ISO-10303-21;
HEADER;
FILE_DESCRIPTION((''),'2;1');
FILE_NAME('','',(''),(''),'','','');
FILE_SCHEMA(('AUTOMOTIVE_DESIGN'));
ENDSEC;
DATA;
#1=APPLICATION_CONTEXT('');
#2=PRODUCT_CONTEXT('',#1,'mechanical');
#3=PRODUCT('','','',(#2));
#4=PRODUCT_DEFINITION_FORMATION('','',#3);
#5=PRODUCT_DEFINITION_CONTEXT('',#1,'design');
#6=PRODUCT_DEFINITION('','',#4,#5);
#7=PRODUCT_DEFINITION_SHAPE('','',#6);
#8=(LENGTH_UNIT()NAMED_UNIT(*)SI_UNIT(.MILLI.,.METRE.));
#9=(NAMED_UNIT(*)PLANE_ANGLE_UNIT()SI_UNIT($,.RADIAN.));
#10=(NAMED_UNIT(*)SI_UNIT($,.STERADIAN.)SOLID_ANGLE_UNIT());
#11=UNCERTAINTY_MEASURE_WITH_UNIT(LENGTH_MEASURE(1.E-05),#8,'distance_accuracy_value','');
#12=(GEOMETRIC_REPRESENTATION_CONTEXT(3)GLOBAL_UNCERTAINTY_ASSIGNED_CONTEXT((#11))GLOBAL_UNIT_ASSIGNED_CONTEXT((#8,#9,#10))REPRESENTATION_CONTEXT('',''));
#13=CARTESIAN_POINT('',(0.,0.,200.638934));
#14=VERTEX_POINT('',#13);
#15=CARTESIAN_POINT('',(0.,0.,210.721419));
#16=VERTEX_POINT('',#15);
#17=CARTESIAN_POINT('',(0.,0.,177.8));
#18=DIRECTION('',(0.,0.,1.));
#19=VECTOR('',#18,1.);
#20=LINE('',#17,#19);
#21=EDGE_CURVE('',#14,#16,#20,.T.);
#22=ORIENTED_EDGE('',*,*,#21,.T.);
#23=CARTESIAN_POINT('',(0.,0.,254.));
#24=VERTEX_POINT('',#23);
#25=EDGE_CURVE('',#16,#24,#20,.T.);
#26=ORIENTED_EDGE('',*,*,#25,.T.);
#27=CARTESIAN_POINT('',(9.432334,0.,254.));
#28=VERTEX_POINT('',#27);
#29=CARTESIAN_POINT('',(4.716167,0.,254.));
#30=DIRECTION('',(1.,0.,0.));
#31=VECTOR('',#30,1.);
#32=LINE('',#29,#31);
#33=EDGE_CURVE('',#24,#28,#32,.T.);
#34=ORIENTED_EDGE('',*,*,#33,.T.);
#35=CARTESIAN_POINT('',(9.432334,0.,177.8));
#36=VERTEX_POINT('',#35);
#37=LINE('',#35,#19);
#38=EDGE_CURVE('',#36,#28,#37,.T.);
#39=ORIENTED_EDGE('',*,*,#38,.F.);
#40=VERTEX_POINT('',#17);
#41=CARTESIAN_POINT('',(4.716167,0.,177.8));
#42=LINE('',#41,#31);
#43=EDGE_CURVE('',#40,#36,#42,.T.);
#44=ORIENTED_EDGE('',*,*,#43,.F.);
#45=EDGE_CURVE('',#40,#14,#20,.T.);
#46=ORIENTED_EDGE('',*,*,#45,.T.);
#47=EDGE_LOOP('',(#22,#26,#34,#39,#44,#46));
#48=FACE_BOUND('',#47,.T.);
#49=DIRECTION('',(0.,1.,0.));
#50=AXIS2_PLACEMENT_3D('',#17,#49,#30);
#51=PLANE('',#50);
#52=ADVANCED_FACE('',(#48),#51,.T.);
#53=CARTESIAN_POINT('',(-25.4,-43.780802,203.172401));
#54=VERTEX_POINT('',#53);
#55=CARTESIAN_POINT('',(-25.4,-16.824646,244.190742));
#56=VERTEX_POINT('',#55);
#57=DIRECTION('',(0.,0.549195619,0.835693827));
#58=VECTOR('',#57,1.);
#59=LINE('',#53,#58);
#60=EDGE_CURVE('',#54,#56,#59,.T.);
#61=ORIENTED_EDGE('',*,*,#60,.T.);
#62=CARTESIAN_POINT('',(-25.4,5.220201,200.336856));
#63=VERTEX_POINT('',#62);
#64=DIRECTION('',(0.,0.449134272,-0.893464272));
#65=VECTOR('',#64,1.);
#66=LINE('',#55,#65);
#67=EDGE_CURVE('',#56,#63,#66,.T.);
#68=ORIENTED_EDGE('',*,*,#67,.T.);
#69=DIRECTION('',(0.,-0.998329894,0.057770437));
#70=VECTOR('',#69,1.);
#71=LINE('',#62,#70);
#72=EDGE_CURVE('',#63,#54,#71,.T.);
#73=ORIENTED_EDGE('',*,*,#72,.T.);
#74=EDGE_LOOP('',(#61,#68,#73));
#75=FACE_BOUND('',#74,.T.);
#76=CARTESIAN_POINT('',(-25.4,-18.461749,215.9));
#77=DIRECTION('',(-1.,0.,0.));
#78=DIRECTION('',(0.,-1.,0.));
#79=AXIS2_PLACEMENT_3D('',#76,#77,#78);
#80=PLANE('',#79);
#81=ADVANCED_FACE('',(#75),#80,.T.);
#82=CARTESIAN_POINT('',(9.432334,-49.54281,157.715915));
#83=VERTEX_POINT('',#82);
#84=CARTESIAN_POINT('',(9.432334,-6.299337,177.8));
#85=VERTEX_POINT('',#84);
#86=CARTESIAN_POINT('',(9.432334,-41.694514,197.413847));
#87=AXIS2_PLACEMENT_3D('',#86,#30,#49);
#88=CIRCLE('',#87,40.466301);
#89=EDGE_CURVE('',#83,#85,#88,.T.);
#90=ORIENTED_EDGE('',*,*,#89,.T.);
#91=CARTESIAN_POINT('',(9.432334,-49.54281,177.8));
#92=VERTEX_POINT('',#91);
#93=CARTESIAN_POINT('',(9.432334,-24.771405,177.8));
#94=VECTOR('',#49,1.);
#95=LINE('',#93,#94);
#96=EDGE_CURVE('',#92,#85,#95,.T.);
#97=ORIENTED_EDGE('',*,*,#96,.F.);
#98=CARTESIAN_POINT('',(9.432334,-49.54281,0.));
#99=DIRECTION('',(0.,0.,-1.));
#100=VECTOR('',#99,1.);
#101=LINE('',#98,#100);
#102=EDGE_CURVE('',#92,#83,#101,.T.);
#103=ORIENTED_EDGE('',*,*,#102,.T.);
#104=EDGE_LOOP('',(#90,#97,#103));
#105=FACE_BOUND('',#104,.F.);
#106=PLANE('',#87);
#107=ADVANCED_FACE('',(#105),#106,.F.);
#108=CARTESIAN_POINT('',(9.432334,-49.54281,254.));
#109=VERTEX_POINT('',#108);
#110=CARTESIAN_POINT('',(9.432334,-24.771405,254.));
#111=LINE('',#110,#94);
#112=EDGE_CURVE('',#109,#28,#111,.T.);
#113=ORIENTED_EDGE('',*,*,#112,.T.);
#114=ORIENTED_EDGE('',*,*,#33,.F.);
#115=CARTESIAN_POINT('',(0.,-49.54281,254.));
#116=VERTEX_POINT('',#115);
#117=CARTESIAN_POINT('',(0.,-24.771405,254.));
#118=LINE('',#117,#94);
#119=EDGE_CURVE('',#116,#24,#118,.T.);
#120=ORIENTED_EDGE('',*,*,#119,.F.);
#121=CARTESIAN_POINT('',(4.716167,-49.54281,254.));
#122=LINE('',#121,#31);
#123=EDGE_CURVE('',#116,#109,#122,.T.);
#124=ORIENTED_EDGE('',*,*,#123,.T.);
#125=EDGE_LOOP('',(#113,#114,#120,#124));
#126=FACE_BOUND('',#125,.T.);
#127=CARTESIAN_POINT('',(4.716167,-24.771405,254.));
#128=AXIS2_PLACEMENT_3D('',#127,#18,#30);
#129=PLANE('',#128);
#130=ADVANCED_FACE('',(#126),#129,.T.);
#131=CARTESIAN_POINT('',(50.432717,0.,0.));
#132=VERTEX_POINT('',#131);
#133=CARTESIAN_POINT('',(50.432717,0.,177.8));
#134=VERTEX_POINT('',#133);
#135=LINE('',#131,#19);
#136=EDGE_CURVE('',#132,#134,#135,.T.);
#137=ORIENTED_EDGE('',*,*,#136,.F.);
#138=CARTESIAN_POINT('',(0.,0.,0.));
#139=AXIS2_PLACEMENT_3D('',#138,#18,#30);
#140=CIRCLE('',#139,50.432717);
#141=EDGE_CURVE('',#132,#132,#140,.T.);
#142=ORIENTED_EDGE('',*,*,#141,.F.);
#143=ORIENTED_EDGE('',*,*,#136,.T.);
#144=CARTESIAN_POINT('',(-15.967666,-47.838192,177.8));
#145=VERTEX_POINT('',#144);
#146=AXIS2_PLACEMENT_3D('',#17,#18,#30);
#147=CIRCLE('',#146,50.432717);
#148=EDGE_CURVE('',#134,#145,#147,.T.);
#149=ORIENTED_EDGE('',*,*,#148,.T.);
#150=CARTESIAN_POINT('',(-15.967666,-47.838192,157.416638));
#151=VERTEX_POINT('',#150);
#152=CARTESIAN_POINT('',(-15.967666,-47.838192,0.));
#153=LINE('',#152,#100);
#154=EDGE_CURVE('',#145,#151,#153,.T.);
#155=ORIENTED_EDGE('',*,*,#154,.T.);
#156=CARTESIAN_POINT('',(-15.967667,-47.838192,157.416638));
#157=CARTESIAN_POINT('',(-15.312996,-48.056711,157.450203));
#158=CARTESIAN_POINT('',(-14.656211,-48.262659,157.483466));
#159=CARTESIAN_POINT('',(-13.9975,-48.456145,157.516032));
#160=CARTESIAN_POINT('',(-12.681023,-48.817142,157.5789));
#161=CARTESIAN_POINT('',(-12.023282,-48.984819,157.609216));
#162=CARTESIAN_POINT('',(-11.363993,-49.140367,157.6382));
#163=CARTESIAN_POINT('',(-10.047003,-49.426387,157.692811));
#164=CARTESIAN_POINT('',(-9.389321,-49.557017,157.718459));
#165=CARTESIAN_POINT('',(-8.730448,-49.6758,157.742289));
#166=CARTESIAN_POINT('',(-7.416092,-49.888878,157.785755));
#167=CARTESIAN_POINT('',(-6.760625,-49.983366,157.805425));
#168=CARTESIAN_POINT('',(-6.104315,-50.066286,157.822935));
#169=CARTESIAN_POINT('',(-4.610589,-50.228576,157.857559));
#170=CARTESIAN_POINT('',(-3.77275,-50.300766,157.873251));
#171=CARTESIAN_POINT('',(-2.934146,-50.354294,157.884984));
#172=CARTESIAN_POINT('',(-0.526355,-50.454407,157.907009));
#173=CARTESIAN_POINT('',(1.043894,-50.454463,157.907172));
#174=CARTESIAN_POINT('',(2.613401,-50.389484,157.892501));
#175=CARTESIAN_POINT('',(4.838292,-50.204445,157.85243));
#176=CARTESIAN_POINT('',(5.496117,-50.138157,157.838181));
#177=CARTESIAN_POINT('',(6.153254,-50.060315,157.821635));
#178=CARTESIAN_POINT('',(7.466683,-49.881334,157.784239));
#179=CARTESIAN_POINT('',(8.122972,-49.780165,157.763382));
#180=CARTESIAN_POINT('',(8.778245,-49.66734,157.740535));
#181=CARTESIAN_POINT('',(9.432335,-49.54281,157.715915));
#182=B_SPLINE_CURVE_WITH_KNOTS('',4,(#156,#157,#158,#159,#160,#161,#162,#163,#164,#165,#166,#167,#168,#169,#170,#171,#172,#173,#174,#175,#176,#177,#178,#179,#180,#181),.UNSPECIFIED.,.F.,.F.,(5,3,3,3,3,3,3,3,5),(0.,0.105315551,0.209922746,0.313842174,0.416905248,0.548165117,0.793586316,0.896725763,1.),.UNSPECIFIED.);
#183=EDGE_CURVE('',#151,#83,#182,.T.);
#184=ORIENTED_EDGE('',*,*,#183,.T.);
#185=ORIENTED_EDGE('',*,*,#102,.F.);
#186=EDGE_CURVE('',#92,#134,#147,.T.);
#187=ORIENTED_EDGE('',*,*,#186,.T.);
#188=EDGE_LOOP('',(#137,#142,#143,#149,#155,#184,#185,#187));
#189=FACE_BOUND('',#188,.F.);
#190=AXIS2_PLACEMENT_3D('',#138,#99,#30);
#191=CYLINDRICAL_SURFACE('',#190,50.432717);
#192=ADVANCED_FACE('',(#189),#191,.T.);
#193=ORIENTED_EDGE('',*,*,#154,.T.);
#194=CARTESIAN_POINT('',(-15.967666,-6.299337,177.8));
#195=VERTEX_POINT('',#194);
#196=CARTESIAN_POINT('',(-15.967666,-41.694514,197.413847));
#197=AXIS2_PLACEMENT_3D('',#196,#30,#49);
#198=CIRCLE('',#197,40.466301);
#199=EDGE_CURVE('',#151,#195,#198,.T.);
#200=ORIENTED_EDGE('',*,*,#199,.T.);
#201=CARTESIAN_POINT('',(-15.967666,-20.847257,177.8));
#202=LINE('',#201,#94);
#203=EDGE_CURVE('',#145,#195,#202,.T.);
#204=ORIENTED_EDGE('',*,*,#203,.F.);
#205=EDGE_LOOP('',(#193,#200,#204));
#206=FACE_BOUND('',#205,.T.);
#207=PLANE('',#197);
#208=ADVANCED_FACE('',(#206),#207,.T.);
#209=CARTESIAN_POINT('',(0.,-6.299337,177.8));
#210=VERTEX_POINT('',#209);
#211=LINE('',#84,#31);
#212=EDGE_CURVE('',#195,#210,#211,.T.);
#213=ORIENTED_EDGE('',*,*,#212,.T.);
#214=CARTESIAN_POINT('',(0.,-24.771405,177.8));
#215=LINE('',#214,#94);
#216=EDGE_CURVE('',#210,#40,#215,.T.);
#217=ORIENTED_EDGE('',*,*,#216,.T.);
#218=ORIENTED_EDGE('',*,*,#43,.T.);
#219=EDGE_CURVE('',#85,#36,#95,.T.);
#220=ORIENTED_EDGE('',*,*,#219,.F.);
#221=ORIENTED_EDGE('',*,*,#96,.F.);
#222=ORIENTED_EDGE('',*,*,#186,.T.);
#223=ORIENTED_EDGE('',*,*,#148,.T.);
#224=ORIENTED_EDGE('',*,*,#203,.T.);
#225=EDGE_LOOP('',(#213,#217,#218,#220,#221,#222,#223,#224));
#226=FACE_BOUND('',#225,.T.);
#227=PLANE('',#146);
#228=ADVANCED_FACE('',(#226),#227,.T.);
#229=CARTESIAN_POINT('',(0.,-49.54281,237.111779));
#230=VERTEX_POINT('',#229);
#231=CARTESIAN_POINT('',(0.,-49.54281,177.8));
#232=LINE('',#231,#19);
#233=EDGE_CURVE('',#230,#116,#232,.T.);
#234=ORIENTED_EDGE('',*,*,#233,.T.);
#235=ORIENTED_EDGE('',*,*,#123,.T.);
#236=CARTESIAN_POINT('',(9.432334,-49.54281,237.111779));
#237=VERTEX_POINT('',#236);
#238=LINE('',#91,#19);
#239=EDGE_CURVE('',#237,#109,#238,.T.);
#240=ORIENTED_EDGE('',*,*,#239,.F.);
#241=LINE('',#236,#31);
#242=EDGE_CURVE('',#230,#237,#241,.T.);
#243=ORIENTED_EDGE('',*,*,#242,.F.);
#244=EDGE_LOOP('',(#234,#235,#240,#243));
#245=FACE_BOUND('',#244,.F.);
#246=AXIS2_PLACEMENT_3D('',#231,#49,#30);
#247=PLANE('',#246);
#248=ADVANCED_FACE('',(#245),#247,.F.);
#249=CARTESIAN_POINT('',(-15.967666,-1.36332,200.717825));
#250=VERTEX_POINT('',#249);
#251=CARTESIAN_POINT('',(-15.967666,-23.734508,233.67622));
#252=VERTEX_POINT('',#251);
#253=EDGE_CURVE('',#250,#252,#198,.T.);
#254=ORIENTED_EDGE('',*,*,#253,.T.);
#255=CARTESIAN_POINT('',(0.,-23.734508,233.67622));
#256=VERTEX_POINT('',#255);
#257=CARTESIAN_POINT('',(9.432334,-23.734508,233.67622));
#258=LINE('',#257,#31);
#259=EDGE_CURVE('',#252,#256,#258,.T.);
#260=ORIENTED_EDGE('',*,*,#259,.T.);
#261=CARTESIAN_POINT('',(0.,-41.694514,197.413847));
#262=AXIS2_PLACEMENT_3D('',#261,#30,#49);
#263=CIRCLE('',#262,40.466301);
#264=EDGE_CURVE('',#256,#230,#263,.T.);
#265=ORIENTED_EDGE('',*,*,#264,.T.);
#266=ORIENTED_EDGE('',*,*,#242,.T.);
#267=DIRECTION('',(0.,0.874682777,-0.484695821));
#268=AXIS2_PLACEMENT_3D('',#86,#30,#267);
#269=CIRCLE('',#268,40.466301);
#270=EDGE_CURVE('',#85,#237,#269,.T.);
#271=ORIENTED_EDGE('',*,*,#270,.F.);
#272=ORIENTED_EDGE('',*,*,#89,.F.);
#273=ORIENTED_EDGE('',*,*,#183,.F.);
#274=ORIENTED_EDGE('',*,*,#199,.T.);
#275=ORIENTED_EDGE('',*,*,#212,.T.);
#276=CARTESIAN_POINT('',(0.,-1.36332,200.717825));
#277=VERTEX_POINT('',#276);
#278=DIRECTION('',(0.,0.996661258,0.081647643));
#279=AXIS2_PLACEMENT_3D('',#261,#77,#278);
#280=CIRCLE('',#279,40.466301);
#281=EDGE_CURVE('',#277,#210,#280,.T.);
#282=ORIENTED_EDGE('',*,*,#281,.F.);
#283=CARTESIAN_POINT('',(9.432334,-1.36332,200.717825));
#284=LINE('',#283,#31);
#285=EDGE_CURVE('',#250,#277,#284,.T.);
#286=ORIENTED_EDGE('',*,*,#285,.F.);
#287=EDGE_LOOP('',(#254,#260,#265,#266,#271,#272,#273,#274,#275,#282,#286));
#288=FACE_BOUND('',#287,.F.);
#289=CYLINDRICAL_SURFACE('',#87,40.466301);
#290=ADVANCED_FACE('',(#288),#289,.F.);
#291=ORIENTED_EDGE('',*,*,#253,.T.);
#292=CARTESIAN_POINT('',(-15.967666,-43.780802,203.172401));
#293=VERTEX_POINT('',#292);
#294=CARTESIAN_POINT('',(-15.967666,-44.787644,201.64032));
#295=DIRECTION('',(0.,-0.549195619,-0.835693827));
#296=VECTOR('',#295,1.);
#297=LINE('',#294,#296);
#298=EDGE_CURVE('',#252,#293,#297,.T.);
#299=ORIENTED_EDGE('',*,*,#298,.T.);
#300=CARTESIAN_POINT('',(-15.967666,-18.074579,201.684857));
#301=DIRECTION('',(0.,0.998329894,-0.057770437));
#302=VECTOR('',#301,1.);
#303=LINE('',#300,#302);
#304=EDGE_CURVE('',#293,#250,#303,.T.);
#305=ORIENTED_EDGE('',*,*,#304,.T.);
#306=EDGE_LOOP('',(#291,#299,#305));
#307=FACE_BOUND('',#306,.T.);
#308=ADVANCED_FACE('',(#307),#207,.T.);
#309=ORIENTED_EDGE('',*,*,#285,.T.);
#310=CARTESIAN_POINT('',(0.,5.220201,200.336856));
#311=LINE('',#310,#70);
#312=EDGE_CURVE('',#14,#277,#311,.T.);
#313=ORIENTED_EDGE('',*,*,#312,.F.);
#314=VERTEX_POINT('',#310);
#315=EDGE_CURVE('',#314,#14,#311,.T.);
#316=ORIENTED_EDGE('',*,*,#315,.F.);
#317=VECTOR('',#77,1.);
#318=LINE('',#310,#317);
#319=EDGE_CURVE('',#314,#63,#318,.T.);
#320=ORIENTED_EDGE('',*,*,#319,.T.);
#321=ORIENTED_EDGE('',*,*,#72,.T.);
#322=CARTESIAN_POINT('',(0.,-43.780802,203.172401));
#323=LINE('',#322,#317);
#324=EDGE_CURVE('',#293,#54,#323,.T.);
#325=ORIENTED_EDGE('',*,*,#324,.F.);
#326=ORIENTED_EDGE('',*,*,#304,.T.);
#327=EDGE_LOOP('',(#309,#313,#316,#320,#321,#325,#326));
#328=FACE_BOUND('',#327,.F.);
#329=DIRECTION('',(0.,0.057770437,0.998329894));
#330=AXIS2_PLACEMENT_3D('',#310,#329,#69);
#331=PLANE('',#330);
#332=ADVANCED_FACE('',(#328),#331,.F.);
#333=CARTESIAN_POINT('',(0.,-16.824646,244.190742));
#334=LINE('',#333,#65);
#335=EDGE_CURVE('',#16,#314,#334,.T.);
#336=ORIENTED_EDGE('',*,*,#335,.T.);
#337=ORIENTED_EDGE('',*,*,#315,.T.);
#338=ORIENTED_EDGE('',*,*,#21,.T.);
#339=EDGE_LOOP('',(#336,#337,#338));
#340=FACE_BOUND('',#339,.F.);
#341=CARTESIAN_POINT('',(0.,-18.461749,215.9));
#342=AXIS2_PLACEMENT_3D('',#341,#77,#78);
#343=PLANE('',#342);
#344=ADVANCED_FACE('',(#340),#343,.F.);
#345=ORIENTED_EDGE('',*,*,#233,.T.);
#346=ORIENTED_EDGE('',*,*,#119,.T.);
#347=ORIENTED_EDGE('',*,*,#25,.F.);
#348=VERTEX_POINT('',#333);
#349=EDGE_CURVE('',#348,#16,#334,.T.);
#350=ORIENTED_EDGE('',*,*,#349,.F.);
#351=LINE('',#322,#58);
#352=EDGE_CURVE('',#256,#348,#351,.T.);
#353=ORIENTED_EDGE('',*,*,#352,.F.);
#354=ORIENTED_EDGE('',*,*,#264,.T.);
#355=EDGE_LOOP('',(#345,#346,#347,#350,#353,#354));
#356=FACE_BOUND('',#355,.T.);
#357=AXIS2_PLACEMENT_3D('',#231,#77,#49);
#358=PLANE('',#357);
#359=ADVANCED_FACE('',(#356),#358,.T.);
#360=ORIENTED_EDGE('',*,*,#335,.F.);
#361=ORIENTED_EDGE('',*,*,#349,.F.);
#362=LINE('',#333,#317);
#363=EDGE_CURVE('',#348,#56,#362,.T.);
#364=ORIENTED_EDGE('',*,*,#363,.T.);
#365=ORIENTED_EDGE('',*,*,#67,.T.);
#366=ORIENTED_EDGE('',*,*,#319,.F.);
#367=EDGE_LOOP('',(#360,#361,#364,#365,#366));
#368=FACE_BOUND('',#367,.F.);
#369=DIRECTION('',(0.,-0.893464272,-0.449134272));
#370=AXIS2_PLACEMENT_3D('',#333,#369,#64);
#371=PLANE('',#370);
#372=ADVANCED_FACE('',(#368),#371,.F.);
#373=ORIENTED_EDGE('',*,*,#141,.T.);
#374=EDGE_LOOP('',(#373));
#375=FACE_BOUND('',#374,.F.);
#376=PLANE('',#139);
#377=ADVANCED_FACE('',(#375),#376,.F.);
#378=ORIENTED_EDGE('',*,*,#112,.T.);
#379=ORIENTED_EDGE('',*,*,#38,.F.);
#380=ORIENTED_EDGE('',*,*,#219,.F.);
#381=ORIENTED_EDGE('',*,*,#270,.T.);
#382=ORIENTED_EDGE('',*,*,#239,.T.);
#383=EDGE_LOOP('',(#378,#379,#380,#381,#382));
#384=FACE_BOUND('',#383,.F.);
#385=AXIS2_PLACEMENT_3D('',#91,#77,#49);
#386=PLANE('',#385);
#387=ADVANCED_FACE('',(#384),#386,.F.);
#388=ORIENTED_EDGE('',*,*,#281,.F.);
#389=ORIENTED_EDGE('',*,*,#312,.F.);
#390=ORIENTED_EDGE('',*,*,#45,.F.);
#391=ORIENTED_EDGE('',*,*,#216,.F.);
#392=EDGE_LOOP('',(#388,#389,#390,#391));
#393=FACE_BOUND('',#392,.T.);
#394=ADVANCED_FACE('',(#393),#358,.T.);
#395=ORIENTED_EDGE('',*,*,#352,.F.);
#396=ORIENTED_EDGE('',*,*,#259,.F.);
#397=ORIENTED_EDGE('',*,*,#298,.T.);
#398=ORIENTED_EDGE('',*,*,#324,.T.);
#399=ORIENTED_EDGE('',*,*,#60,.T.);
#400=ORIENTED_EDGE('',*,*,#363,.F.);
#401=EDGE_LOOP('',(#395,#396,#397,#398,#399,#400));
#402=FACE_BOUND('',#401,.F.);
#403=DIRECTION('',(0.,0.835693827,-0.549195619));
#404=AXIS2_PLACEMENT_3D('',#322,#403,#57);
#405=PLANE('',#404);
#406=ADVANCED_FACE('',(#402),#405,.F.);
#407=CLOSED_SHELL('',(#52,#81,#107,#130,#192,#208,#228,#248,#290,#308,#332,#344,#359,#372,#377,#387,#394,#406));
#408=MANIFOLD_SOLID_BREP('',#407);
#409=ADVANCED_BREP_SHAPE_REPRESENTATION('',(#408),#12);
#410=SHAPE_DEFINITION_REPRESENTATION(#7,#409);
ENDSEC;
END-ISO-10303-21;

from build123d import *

# Parameters (mm, degrees)
F0_R     = 50.432717
F1_DEPTH = 177.8
F2_W     = 9.432334
F2_H     = 49.54281
F3_DEPTH = 76.2
F5_DEPTH = 25.4
F6_R     = 40.466301
F7_DEPTH = 25.4


with BuildPart() as f1:
    # F0 (on Top) → F1 (new body)
    with BuildSketch(Plane.XY):
        Circle(F0_R)
    extrude(amount=F1_DEPTH)

    # F2 (on face) → F3 (join)
    with BuildSketch(Plane.XY.offset(177.8)):
        with Locations((4.716167, -24.771405)):
            Rectangle(F2_W, F2_H)
    extrude(amount=F3_DEPTH)

    # F4 (on face) → F5 (join)
    with BuildSketch(Plane(origin=(0, 0, 0), x_dir=(0, -1, 0), z_dir=(-1, 0, 0))):
        Polygon((16.824646, 244.190742), (-5.220201, 200.336856), (43.780802, 203.172401), align=None)
    extrude(amount=F5_DEPTH)

    # F6 (on face) → F7 (cut)
    with BuildSketch(Plane.YZ.offset(9.432334)):
        with Locations((-41.694514, 197.413847)):
            Circle(F6_R)
    extrude(amount=-F7_DEPTH, mode=Mode.SUBTRACT)


solid = f1.part
